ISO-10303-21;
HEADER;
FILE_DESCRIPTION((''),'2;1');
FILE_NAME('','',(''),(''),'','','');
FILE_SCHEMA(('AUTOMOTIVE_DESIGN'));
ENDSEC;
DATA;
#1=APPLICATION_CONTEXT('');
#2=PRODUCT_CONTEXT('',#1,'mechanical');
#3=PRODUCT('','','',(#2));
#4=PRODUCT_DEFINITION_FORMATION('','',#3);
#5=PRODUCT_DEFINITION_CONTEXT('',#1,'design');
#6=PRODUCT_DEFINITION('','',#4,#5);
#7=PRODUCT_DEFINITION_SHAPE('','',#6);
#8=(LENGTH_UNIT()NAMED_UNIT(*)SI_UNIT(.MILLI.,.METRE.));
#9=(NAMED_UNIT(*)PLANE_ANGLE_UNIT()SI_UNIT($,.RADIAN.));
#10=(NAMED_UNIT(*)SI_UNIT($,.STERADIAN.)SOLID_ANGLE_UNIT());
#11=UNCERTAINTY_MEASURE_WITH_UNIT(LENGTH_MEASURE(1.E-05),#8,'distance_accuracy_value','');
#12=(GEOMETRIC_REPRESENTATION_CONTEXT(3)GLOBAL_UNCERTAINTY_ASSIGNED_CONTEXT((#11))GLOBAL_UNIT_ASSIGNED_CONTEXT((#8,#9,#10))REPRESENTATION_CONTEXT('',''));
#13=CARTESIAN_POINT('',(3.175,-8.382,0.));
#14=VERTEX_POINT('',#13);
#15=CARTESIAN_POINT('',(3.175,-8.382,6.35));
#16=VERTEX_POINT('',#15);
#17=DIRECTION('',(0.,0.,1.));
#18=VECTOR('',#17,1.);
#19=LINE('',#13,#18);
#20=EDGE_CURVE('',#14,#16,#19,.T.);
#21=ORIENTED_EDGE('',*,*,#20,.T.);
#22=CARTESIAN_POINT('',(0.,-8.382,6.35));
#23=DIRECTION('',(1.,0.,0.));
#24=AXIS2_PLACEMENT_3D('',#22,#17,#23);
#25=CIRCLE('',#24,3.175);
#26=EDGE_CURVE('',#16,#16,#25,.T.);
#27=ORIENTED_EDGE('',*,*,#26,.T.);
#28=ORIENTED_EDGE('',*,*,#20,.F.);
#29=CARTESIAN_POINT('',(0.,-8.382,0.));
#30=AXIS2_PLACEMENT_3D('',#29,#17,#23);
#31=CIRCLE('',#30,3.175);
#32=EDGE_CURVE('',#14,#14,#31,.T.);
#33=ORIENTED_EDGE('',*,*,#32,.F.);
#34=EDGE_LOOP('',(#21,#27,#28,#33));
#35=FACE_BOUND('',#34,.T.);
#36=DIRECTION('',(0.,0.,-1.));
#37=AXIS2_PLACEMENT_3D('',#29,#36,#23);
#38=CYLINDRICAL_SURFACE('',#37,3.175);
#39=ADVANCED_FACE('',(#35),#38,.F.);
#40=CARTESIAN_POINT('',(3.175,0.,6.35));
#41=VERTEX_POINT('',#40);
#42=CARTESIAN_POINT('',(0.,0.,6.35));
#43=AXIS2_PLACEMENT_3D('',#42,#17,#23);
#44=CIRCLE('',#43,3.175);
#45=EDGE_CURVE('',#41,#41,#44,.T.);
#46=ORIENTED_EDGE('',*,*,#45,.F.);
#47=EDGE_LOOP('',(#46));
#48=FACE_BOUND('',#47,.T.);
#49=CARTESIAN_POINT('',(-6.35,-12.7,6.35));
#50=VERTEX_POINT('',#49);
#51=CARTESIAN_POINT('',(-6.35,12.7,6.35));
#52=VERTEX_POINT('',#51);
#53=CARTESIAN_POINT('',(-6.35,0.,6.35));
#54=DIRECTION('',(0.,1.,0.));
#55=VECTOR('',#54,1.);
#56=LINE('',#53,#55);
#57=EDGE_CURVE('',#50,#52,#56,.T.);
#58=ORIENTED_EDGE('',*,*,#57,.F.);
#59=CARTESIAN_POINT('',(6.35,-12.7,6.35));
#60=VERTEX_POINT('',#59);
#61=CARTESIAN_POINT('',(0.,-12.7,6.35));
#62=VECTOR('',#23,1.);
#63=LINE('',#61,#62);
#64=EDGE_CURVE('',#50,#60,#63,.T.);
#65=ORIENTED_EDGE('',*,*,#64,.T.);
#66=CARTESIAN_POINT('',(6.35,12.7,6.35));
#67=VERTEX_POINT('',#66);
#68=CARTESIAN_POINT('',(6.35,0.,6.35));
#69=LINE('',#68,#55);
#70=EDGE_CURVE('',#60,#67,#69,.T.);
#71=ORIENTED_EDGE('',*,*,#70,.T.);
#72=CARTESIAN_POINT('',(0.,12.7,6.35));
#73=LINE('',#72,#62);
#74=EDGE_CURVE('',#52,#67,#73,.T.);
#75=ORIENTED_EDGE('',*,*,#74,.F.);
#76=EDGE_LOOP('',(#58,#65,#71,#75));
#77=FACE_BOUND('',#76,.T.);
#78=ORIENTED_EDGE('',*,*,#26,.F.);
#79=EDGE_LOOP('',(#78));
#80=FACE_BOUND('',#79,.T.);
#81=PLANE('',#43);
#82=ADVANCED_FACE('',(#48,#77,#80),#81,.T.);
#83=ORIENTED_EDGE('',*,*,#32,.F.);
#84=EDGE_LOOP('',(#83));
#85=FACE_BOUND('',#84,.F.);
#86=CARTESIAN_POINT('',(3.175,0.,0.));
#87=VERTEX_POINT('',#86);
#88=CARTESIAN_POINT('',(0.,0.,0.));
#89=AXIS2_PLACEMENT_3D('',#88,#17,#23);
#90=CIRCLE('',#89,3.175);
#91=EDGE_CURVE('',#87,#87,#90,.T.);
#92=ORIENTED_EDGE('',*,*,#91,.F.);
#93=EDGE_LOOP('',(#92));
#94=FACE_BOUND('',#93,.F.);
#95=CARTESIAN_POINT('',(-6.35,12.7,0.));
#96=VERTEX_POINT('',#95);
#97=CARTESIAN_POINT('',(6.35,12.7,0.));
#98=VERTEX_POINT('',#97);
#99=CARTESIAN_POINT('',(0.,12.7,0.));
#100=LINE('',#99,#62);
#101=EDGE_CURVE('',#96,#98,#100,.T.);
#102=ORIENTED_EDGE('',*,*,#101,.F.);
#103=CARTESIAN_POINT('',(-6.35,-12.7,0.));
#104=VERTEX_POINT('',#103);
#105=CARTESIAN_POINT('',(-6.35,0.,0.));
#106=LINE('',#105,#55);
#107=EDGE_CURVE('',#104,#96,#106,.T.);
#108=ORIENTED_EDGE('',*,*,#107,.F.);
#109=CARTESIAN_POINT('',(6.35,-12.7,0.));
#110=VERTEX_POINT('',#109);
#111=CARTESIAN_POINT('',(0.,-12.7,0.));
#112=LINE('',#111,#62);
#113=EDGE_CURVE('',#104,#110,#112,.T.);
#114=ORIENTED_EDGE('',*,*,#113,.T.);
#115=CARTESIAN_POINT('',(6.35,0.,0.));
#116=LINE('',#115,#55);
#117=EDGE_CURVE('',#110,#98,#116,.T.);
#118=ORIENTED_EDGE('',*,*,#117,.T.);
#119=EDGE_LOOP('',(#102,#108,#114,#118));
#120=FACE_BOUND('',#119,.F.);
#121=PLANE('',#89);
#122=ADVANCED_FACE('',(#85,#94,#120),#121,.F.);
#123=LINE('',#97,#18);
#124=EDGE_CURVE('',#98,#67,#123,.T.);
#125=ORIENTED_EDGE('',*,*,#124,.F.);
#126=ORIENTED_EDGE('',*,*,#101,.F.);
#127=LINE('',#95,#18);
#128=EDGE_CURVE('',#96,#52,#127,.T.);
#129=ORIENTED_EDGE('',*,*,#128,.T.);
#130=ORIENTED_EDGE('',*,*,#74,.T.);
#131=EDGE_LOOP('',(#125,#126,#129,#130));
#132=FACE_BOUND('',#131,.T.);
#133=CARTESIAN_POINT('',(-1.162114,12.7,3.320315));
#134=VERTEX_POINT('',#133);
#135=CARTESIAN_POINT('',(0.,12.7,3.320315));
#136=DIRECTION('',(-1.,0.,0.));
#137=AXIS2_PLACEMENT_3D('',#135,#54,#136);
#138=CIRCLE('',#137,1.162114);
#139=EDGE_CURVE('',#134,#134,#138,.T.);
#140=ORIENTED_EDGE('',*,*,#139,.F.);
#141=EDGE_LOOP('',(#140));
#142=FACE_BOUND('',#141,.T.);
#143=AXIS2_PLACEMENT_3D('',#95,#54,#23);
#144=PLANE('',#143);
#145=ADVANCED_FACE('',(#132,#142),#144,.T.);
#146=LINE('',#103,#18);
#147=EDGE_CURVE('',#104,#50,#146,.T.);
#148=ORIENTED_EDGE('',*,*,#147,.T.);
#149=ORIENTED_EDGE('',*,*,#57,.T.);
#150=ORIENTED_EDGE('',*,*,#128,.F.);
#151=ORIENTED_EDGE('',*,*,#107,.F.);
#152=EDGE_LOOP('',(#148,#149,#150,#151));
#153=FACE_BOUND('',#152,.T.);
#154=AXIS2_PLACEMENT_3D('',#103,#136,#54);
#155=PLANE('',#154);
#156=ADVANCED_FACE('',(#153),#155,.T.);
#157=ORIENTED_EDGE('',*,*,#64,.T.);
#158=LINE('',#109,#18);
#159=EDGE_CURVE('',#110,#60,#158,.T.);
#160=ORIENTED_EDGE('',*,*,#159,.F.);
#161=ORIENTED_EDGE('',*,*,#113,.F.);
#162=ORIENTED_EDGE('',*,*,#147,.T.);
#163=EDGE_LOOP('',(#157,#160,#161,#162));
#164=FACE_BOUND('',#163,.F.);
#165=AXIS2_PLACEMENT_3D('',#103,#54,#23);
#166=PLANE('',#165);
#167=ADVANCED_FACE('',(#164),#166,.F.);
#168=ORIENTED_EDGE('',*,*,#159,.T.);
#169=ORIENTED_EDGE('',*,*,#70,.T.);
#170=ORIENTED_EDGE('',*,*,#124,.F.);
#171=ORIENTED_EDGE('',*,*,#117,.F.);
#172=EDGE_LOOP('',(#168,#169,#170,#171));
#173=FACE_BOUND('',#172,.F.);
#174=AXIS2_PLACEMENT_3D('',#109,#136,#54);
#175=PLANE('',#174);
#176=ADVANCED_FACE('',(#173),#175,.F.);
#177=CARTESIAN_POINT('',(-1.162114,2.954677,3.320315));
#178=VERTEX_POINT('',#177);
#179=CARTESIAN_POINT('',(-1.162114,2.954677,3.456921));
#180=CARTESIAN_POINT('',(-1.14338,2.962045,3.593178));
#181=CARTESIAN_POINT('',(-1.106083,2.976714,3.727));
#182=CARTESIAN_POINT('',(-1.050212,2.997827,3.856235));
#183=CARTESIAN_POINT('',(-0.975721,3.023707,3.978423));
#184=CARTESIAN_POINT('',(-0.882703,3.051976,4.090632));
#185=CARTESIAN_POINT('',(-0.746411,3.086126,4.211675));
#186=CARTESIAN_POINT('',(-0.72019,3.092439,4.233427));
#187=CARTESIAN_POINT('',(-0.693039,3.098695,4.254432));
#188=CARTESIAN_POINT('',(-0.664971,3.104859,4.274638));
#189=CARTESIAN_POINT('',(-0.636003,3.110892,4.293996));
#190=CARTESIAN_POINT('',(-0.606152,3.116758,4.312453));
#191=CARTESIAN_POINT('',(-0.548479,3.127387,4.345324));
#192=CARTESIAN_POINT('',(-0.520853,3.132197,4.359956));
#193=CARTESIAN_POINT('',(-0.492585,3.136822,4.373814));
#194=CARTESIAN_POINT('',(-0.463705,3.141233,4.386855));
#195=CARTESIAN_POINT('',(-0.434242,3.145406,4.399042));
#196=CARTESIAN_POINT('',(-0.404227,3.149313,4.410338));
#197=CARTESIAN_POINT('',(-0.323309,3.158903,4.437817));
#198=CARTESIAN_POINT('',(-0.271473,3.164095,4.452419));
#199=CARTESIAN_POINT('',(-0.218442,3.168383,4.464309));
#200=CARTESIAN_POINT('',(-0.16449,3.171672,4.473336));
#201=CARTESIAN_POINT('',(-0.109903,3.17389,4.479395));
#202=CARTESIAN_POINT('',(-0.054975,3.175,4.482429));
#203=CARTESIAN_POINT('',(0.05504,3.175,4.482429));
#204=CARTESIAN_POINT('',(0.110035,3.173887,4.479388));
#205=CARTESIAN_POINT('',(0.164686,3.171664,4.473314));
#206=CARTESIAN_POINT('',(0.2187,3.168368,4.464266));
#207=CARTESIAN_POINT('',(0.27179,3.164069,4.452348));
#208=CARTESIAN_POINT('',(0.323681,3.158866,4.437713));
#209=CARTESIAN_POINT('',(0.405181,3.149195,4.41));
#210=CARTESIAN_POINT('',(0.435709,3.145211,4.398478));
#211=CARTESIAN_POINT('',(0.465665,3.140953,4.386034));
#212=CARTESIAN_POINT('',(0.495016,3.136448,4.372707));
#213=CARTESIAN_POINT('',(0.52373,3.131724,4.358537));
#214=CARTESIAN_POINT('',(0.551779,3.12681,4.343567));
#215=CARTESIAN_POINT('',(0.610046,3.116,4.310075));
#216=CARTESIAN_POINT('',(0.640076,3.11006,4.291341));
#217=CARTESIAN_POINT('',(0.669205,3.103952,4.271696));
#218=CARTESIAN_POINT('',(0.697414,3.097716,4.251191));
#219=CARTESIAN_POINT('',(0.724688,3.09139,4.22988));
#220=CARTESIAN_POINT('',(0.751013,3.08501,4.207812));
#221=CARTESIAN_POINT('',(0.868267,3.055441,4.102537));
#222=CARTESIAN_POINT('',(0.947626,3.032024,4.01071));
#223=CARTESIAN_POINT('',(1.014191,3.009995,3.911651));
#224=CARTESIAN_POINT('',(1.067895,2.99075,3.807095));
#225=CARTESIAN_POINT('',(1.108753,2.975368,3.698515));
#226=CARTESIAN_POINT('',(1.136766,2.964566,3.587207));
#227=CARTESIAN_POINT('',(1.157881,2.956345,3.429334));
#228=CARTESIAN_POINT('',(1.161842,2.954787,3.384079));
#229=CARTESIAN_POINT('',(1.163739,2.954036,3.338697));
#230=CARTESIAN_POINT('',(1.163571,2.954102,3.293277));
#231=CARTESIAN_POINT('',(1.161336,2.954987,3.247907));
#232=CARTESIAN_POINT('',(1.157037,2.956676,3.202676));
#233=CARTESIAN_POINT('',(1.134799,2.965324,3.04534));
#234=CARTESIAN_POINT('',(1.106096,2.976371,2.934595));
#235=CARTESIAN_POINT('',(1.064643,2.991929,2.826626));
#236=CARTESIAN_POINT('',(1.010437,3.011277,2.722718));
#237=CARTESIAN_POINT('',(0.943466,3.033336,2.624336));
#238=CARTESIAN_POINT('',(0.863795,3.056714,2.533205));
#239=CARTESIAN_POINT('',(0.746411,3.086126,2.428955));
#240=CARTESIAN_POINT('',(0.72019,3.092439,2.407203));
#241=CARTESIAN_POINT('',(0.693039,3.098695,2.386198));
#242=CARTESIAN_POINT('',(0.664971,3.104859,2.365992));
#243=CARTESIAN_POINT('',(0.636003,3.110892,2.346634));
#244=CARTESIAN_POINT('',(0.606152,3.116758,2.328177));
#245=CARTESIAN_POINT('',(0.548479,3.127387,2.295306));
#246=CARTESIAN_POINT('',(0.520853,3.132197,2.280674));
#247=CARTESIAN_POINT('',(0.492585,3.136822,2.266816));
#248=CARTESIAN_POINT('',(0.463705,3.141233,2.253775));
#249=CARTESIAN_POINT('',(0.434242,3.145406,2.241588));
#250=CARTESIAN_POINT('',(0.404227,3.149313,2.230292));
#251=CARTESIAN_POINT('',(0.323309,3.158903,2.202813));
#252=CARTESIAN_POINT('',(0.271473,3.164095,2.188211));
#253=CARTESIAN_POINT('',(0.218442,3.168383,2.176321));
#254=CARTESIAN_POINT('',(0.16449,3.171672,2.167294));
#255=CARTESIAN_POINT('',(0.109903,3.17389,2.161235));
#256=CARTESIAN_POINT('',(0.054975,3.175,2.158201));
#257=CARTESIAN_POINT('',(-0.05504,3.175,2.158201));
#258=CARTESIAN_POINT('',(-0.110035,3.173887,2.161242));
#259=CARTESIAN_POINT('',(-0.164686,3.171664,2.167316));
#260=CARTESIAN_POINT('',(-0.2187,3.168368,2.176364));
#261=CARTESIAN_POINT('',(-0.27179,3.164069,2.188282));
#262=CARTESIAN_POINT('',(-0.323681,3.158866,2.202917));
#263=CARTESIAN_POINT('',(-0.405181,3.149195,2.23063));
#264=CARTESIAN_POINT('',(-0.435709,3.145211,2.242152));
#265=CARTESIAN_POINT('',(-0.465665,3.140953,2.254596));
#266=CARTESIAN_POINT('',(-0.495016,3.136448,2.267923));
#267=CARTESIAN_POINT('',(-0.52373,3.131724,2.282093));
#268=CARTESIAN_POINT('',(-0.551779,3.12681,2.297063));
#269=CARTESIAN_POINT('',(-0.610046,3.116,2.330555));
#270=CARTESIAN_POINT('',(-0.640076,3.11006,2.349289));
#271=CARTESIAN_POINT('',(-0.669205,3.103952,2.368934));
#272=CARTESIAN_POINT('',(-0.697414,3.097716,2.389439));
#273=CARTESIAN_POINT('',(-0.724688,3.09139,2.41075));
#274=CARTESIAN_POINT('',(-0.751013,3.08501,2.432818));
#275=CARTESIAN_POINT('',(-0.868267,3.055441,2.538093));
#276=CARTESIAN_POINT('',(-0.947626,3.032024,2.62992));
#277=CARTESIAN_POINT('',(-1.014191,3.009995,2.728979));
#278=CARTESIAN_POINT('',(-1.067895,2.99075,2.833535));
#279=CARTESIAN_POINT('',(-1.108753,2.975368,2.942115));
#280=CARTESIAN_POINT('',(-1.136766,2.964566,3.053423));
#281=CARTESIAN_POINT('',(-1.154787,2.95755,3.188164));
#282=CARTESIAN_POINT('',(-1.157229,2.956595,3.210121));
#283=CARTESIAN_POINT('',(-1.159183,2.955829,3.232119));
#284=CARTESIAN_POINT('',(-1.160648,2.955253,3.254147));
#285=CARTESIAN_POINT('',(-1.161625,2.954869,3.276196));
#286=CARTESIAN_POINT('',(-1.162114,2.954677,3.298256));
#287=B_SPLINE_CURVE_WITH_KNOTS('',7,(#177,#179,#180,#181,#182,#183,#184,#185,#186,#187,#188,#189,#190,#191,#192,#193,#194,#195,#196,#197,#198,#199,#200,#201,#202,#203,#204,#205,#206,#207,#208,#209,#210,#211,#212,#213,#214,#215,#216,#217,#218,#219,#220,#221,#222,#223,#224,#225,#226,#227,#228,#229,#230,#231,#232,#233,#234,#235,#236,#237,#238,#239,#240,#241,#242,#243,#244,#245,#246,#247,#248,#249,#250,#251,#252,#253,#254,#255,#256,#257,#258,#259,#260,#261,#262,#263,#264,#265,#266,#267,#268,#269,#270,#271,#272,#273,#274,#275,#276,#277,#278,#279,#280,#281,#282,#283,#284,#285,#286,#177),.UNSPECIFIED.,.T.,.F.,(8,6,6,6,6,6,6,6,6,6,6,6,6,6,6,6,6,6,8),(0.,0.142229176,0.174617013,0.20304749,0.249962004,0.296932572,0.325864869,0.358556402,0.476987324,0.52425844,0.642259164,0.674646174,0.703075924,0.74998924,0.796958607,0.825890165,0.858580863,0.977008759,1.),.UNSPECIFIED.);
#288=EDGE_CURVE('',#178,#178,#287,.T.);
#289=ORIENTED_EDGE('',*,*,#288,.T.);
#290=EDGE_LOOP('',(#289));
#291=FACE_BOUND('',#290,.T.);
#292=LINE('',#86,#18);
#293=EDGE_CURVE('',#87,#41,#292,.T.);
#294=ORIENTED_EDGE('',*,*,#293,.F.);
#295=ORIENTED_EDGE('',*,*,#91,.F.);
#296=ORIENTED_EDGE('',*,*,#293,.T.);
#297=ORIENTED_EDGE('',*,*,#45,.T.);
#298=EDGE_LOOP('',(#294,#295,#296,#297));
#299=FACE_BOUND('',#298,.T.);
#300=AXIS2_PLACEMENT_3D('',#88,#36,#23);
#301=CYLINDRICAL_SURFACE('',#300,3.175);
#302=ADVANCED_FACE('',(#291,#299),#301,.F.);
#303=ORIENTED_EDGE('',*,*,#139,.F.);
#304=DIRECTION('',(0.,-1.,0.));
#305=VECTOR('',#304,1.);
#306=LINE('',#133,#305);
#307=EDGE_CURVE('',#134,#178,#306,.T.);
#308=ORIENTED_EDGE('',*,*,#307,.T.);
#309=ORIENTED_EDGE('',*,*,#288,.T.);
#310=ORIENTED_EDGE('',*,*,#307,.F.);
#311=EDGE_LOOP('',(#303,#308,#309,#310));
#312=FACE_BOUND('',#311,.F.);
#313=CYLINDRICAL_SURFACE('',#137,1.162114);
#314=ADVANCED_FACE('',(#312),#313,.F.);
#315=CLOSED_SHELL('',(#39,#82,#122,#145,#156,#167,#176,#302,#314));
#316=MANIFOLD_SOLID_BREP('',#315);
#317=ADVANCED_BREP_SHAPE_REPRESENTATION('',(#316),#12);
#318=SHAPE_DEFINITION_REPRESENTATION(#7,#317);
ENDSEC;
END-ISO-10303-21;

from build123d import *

# Parameters (mm, degrees)
F0_W     = 12.7
F0_H     = 25.4
F0_R     = 3.175
F1_DEPTH = 6.35
F2_R     = 1.162114
F3_DEPTH = 10.16


with BuildPart() as f1:
    # F0 (on Top) → F1 (new body)
    with BuildSketch(Plane.XY):
        Rectangle(F0_W, F0_H)
        with Locations((0, -8.382)):
            Circle(F0_R, mode=Mode.SUBTRACT)
        Circle(F0_R, mode=Mode.SUBTRACT)
    extrude(amount=F1_DEPTH)

    # F2 (on face) → F3 (cut)
    with BuildSketch(Plane(origin=(0, 12.7, 0), x_dir=(-1, 0, 0), z_dir=(0, 1, 0))):
        with Locations((0, 3.320315)):
            Circle(F2_R)
    extrude(amount=-F3_DEPTH, mode=Mode.SUBTRACT)


solid = f1.part
